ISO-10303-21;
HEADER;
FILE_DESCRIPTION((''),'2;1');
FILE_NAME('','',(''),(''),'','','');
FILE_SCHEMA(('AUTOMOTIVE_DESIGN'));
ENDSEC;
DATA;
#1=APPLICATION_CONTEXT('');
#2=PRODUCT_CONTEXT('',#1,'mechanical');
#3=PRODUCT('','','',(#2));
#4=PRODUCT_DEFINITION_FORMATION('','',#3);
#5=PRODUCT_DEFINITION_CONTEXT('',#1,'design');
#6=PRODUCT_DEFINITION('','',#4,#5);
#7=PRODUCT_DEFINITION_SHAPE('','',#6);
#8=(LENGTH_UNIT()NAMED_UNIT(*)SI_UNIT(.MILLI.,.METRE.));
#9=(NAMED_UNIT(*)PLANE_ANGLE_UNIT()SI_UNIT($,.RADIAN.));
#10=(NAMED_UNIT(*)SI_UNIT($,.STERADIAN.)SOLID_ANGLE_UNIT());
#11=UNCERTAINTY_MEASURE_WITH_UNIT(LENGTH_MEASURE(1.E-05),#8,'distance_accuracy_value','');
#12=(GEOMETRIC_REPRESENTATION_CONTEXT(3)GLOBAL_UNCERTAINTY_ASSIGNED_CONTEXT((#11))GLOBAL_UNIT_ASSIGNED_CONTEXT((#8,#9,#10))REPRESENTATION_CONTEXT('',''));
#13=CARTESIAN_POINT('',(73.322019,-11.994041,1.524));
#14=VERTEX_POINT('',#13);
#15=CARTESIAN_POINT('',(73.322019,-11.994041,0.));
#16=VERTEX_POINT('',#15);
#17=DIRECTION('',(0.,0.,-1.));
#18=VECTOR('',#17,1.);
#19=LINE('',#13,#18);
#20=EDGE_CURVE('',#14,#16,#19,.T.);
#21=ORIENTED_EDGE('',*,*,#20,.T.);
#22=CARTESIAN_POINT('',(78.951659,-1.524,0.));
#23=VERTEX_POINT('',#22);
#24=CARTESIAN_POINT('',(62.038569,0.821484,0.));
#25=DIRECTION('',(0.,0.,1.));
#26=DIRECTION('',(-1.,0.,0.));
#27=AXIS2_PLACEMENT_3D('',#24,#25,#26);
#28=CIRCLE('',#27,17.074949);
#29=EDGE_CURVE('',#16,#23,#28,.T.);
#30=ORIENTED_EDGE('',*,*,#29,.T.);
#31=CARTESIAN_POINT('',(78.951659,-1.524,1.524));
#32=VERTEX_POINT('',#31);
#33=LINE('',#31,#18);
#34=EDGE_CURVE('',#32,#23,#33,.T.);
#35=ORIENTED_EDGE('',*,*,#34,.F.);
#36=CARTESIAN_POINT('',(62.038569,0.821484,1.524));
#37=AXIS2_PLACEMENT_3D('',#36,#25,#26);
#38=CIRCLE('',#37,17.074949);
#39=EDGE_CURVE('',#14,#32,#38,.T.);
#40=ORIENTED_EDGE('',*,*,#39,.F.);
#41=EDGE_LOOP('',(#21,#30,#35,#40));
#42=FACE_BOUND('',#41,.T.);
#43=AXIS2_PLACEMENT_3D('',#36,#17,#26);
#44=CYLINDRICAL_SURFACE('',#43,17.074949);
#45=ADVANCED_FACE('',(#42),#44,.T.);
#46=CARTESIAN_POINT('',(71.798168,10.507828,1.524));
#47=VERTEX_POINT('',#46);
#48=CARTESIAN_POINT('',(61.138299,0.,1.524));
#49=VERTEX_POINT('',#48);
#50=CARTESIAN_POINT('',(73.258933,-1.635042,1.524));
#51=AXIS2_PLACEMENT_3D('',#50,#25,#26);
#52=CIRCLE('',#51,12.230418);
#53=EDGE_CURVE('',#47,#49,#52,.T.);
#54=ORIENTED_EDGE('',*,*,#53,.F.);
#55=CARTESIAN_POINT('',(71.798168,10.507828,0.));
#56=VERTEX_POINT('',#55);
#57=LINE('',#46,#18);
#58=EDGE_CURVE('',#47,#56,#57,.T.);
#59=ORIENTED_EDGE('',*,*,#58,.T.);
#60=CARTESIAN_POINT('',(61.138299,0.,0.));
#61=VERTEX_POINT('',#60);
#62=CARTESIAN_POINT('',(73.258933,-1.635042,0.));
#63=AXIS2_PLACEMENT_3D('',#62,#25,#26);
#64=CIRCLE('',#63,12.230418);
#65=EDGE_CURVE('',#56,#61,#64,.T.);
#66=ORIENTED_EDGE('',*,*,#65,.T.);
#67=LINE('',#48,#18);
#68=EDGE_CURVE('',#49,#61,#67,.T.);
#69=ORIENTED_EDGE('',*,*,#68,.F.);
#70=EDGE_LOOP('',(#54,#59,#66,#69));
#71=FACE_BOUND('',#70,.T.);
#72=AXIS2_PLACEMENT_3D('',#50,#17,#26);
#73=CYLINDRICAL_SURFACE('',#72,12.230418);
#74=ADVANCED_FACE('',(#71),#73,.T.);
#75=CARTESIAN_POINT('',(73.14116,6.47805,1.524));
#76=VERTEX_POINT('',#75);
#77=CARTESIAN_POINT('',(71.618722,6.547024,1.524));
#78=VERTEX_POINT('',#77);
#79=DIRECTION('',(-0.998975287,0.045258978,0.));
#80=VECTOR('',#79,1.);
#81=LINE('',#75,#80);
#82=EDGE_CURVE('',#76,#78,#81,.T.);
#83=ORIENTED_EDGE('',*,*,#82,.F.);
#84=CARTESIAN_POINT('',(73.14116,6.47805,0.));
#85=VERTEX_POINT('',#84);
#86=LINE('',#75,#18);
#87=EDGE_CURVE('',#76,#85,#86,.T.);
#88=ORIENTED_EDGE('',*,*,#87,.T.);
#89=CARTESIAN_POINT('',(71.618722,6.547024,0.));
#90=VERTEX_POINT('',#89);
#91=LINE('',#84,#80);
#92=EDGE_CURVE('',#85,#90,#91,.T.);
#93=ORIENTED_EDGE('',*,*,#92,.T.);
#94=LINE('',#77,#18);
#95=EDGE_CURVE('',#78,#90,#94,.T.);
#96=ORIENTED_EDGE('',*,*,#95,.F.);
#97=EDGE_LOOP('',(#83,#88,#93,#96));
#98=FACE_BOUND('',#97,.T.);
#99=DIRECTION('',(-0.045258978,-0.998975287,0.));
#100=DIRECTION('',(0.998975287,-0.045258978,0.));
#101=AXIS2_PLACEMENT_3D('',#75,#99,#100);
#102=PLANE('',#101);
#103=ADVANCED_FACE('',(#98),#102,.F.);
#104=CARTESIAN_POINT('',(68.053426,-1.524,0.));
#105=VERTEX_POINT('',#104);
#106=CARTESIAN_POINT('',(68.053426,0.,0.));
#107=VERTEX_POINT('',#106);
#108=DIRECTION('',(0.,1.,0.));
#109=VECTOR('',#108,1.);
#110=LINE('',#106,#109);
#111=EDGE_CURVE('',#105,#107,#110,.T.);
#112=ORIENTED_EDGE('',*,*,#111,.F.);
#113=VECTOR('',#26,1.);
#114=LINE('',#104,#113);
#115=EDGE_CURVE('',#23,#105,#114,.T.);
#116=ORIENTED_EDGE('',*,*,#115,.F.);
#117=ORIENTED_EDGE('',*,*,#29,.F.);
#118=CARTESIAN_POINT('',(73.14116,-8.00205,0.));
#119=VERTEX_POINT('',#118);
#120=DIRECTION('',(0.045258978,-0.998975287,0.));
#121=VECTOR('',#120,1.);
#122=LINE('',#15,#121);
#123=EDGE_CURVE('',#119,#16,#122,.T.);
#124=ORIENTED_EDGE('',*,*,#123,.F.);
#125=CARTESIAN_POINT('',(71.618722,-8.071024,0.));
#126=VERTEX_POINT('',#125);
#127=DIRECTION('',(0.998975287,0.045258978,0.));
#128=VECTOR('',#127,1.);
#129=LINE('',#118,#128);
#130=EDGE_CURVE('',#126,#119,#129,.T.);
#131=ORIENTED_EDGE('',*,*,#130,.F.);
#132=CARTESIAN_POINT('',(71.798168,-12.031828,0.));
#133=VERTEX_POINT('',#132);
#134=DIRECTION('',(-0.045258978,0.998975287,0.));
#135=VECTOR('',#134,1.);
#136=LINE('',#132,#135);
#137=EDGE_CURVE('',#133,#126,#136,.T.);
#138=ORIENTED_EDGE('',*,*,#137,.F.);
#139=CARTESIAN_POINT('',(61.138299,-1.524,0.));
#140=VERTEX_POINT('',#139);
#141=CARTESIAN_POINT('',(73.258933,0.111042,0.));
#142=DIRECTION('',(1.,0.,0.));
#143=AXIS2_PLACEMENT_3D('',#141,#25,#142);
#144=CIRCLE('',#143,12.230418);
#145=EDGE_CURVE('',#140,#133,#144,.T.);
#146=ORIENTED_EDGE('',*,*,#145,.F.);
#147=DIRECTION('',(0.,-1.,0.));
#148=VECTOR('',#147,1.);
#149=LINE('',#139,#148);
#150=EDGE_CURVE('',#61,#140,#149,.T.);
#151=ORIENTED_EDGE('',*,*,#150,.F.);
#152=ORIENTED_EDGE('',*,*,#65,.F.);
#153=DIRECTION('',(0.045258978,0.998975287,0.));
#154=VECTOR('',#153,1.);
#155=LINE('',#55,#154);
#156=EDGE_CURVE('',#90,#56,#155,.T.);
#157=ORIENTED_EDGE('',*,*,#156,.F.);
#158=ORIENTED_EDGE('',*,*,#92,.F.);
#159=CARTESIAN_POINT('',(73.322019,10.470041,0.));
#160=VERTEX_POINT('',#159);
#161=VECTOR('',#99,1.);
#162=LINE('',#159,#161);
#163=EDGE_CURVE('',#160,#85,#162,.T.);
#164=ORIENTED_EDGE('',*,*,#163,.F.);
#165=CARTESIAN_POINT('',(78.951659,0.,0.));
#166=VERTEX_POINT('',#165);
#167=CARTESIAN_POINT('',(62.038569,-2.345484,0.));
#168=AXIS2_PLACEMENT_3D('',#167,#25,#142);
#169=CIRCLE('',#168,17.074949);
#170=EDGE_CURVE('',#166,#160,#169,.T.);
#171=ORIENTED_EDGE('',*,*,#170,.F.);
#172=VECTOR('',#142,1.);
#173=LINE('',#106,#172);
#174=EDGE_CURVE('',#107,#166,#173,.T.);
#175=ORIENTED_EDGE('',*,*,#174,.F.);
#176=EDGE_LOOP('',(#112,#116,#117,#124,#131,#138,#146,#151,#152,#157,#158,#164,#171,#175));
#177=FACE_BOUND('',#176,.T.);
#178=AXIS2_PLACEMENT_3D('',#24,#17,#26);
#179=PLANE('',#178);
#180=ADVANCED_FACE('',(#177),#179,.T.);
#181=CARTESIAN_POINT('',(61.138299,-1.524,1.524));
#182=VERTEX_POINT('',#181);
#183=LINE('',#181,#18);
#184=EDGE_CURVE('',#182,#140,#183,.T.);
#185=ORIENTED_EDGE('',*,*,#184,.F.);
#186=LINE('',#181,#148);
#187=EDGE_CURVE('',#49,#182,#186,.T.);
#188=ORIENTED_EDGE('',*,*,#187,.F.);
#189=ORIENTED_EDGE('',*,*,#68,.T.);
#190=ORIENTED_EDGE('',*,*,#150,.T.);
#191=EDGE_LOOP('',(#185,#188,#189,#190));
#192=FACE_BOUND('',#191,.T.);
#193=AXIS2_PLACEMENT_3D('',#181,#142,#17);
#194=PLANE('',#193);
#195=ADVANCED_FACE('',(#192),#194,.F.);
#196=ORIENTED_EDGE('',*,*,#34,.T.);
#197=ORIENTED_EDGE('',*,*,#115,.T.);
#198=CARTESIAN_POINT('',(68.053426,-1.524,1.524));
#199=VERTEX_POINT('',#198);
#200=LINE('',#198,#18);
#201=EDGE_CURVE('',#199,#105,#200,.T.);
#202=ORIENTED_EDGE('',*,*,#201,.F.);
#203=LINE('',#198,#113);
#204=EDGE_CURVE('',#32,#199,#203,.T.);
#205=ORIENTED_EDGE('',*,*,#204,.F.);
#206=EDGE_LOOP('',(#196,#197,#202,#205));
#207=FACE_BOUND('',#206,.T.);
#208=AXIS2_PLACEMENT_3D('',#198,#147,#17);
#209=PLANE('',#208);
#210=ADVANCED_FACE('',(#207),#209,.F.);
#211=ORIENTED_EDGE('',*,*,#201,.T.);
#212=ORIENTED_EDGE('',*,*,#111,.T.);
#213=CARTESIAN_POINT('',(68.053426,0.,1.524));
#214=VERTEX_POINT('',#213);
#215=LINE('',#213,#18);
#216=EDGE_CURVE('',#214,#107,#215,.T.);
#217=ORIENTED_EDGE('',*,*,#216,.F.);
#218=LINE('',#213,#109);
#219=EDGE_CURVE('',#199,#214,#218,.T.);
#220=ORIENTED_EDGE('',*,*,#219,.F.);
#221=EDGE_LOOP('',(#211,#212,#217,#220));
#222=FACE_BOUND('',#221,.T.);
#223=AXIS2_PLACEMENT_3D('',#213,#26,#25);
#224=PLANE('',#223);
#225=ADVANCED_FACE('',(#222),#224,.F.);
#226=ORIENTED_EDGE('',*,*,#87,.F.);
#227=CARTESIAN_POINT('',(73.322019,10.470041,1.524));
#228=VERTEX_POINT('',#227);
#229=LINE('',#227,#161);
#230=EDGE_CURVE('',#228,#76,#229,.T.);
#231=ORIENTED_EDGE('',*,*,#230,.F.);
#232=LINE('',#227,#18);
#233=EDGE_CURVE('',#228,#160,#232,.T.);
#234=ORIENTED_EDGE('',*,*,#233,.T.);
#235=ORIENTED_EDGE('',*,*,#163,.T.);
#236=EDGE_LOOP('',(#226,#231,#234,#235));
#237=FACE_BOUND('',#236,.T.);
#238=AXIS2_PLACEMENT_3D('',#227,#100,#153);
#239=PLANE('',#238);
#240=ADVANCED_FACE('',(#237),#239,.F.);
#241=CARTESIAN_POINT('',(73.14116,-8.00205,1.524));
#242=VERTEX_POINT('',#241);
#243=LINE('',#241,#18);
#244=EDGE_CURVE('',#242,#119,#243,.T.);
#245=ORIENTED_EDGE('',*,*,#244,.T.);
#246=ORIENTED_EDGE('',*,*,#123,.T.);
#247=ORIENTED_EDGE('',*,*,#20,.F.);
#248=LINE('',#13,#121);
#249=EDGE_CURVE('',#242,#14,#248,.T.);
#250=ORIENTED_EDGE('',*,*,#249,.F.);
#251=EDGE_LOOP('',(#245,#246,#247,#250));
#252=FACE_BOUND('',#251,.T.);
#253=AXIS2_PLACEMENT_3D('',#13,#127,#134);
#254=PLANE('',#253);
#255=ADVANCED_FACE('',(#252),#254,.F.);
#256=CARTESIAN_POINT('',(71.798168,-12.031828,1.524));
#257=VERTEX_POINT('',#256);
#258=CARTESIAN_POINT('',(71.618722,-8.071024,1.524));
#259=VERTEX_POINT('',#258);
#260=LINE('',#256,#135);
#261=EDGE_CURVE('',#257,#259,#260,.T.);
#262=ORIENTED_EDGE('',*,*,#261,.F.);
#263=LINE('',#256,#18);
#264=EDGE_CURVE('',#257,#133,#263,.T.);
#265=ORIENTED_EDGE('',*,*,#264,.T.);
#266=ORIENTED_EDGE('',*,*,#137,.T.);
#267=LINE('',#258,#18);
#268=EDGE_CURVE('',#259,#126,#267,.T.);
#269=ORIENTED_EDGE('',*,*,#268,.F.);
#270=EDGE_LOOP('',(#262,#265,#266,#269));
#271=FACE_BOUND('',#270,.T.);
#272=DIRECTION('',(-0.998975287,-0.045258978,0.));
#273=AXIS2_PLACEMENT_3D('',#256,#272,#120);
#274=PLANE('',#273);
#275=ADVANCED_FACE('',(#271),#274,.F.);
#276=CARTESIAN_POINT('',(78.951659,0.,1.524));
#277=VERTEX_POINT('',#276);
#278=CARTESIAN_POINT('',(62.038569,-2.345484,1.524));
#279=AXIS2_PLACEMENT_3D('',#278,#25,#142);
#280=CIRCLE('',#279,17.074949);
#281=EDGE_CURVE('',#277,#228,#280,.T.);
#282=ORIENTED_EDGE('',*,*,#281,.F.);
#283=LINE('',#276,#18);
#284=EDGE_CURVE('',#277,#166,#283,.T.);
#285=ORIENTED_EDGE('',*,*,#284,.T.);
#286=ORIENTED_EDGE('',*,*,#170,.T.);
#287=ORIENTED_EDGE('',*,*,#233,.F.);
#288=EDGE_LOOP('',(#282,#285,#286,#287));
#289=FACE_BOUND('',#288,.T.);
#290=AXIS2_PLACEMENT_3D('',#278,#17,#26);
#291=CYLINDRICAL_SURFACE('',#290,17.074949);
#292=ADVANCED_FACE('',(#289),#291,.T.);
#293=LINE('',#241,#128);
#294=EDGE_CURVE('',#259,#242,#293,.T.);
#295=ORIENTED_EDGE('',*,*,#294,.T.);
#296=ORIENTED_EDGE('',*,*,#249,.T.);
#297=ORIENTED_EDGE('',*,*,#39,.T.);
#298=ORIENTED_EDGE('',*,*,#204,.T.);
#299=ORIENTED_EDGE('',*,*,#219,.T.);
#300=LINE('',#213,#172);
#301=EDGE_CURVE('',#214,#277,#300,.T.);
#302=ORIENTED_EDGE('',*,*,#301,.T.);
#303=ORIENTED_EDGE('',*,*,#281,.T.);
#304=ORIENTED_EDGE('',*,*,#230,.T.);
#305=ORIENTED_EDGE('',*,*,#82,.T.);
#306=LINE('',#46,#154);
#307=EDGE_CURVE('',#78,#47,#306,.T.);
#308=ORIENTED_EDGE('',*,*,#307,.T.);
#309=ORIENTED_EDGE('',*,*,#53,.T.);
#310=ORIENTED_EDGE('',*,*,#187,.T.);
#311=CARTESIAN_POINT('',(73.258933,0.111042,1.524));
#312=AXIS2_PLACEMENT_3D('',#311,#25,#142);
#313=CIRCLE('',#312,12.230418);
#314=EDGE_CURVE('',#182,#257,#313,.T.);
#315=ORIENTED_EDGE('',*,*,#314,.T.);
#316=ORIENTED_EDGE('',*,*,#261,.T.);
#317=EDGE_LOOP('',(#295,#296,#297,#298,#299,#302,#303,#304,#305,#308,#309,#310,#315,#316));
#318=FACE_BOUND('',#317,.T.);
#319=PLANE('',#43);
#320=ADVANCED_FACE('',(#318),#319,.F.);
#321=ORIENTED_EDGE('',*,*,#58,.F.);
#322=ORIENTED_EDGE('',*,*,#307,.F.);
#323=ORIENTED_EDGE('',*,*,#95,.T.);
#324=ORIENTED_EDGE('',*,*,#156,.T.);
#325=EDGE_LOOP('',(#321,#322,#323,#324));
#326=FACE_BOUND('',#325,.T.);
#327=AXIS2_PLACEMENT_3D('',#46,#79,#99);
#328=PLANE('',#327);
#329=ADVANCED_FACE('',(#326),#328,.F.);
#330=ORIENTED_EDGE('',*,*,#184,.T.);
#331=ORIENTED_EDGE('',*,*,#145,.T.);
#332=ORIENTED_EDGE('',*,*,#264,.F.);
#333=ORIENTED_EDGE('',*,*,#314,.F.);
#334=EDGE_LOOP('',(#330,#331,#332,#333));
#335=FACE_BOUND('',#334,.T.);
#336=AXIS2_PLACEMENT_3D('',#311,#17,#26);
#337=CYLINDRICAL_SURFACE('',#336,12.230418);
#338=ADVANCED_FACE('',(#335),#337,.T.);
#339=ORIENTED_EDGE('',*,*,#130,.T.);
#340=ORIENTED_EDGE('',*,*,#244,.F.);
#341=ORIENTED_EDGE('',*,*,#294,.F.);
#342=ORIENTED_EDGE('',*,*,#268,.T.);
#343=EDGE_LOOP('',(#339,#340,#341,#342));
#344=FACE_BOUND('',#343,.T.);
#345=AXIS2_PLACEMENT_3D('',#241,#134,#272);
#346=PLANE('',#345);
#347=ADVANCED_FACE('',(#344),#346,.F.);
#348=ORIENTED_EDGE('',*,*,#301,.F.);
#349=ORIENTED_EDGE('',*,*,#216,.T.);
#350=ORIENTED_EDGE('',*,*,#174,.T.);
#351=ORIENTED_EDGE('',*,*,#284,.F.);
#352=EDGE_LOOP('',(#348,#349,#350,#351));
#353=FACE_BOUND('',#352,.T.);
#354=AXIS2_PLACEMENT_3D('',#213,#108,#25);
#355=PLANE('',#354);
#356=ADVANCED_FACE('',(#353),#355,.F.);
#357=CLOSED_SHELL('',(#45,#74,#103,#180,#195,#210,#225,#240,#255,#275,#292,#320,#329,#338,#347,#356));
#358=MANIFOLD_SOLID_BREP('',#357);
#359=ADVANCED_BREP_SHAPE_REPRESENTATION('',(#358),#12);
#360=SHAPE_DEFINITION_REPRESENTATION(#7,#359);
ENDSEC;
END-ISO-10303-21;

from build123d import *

# Parameters (mm, degrees)
BOSS_EXTRUDE1_DEPTH = 1.524


with BuildPart() as part:
    # Sketch1 → Boss-Extrude1 (new body)
    with BuildSketch(Plane.XY):
        with BuildLine():
            Line((68.053425724, 0), (68.053425724, -1.524))
            Line((68.053425724, -1.524), (78.95165892, -1.524))
            ThreePointArc((78.95165892, -1.524), (77.077407117, -7.264754764), (73.322018867, -11.994040562))
            Line((73.322018867, -11.994040562), (73.141160104, -8.002049555))
            Line((73.141160104, -8.002049555), (71.618721766, -8.071024238))
            Line((71.618721766, -8.071024238), (71.798167573, -12.031827879))
            ThreePointArc((71.798167573, -12.031827879), (64.673060187, -8.599062053), (61.138299457, -1.524))
            Line((61.138299457, -1.524), (61.138299457, 0))
            ThreePointArc((61.138299457, 0), (64.673060187, 7.075062053), (71.798167573, 10.507827879))
            Line((71.798167573, 10.507827879), (71.618721766, 6.547024238))
            Line((71.618721766, 6.547024238), (73.141160104, 6.478049555))
            Line((73.141160104, 6.478049555), (73.322018867, 10.470040562))
            ThreePointArc((73.322018867, 10.470040562), (77.077407117, 5.740754764), (78.95165892, 0))
            Line((78.95165892, 0), (68.053425724, 0))
        make_face()
    extrude(amount=BOSS_EXTRUDE1_DEPTH)


solid = part.part
